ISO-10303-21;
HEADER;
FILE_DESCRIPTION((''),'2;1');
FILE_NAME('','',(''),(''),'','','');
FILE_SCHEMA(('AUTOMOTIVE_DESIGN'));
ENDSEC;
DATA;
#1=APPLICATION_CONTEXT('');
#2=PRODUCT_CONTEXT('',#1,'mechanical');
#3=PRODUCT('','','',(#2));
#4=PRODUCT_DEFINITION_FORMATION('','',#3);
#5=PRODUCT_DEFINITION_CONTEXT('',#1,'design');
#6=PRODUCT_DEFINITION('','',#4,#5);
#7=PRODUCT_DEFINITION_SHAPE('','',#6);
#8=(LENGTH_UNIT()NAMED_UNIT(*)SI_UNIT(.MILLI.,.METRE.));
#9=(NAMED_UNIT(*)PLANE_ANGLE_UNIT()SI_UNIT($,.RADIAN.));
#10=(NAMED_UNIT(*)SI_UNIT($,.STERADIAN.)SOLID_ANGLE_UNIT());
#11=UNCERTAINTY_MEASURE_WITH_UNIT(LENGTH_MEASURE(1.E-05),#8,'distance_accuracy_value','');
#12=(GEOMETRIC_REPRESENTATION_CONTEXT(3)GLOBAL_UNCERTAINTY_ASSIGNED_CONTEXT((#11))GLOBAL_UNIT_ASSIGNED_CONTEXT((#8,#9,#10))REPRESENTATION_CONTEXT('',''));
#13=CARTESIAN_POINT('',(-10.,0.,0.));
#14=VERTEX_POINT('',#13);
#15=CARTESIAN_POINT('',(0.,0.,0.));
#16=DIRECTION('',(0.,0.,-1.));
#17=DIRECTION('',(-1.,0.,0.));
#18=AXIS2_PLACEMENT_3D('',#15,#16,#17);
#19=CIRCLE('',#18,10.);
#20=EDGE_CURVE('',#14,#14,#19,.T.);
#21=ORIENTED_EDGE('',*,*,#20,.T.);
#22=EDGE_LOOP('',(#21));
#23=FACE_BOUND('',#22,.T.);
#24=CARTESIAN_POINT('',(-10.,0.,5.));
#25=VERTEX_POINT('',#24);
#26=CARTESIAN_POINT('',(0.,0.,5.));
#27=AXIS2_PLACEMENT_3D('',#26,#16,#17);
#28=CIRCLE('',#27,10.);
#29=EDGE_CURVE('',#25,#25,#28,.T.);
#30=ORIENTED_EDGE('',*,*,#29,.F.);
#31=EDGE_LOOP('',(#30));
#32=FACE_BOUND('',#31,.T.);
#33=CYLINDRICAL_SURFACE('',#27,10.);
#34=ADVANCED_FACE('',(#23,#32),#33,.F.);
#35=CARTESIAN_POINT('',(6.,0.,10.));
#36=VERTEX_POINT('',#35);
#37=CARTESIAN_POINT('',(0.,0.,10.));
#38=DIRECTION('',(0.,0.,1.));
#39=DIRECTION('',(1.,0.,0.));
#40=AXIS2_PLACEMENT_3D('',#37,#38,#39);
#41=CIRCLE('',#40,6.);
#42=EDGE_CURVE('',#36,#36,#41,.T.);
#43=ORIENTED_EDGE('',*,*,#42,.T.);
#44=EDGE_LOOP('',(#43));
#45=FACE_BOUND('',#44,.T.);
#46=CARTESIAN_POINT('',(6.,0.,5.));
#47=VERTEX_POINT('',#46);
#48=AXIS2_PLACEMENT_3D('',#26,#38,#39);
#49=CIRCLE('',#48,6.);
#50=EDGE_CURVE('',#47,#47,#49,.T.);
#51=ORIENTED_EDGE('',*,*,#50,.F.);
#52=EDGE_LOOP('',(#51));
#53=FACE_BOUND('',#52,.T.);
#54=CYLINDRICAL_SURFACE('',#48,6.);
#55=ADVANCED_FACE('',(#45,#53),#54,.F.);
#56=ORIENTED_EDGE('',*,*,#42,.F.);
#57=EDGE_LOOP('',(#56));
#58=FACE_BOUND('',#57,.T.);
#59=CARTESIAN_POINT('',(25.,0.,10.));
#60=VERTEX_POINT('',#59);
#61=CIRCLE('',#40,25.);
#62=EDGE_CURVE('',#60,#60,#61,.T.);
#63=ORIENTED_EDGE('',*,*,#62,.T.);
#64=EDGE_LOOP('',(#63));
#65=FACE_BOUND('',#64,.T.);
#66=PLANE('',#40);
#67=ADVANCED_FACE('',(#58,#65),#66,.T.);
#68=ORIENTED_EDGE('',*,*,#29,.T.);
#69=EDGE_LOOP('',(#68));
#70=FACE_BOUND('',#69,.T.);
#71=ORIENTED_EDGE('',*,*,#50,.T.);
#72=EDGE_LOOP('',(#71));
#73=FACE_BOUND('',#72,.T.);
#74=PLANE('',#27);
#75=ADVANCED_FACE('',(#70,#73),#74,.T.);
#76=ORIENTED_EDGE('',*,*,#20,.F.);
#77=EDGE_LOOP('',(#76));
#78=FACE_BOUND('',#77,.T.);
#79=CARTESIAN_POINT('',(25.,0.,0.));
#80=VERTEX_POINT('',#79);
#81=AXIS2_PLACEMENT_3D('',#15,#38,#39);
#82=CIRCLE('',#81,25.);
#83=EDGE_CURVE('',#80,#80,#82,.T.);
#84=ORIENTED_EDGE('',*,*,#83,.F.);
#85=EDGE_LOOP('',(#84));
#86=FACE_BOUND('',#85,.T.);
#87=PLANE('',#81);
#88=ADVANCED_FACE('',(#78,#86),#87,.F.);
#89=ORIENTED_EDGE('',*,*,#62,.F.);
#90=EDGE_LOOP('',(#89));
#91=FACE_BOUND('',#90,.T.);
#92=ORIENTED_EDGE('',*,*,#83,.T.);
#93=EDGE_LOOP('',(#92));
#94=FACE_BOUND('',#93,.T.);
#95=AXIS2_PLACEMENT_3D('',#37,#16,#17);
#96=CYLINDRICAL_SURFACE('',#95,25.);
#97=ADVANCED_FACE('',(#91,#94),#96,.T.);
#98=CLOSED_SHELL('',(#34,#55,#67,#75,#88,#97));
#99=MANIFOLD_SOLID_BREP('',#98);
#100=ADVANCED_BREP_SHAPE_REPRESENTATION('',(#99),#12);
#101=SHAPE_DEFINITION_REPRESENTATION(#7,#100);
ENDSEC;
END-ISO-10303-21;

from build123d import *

# Parameters (mm, degrees)
SKETCH2_R           = 25
BOSS_EXTRUDE1_DEPTH = 10
SKETCH3_R           = 6
CUT_EXTRUDE1_DEPTH  = 5
SKETCH4_R           = 10
CUT_EXTRUDE2_DEPTH  = 5


with BuildPart() as part:
    # Sketch2 → Boss-Extrude1 (new body)
    with BuildSketch(Plane.XY):
        Circle(SKETCH2_R)
    extrude(amount=BOSS_EXTRUDE1_DEPTH)

    # Sketch3 → Cut-Extrude1 (cut)
    with BuildSketch(Plane.XY.offset(10)):
        Circle(SKETCH3_R)
    extrude(amount=-CUT_EXTRUDE1_DEPTH, mode=Mode.SUBTRACT)

    # Sketch4 → Cut-Extrude2 (cut)
    with BuildSketch(Plane(origin=(0, 0, 0), x_dir=(-1, 0, 0), z_dir=(0, 0, -1))):
        Circle(SKETCH4_R)
    extrude(amount=-CUT_EXTRUDE2_DEPTH, mode=Mode.SUBTRACT)


solid = part.part
